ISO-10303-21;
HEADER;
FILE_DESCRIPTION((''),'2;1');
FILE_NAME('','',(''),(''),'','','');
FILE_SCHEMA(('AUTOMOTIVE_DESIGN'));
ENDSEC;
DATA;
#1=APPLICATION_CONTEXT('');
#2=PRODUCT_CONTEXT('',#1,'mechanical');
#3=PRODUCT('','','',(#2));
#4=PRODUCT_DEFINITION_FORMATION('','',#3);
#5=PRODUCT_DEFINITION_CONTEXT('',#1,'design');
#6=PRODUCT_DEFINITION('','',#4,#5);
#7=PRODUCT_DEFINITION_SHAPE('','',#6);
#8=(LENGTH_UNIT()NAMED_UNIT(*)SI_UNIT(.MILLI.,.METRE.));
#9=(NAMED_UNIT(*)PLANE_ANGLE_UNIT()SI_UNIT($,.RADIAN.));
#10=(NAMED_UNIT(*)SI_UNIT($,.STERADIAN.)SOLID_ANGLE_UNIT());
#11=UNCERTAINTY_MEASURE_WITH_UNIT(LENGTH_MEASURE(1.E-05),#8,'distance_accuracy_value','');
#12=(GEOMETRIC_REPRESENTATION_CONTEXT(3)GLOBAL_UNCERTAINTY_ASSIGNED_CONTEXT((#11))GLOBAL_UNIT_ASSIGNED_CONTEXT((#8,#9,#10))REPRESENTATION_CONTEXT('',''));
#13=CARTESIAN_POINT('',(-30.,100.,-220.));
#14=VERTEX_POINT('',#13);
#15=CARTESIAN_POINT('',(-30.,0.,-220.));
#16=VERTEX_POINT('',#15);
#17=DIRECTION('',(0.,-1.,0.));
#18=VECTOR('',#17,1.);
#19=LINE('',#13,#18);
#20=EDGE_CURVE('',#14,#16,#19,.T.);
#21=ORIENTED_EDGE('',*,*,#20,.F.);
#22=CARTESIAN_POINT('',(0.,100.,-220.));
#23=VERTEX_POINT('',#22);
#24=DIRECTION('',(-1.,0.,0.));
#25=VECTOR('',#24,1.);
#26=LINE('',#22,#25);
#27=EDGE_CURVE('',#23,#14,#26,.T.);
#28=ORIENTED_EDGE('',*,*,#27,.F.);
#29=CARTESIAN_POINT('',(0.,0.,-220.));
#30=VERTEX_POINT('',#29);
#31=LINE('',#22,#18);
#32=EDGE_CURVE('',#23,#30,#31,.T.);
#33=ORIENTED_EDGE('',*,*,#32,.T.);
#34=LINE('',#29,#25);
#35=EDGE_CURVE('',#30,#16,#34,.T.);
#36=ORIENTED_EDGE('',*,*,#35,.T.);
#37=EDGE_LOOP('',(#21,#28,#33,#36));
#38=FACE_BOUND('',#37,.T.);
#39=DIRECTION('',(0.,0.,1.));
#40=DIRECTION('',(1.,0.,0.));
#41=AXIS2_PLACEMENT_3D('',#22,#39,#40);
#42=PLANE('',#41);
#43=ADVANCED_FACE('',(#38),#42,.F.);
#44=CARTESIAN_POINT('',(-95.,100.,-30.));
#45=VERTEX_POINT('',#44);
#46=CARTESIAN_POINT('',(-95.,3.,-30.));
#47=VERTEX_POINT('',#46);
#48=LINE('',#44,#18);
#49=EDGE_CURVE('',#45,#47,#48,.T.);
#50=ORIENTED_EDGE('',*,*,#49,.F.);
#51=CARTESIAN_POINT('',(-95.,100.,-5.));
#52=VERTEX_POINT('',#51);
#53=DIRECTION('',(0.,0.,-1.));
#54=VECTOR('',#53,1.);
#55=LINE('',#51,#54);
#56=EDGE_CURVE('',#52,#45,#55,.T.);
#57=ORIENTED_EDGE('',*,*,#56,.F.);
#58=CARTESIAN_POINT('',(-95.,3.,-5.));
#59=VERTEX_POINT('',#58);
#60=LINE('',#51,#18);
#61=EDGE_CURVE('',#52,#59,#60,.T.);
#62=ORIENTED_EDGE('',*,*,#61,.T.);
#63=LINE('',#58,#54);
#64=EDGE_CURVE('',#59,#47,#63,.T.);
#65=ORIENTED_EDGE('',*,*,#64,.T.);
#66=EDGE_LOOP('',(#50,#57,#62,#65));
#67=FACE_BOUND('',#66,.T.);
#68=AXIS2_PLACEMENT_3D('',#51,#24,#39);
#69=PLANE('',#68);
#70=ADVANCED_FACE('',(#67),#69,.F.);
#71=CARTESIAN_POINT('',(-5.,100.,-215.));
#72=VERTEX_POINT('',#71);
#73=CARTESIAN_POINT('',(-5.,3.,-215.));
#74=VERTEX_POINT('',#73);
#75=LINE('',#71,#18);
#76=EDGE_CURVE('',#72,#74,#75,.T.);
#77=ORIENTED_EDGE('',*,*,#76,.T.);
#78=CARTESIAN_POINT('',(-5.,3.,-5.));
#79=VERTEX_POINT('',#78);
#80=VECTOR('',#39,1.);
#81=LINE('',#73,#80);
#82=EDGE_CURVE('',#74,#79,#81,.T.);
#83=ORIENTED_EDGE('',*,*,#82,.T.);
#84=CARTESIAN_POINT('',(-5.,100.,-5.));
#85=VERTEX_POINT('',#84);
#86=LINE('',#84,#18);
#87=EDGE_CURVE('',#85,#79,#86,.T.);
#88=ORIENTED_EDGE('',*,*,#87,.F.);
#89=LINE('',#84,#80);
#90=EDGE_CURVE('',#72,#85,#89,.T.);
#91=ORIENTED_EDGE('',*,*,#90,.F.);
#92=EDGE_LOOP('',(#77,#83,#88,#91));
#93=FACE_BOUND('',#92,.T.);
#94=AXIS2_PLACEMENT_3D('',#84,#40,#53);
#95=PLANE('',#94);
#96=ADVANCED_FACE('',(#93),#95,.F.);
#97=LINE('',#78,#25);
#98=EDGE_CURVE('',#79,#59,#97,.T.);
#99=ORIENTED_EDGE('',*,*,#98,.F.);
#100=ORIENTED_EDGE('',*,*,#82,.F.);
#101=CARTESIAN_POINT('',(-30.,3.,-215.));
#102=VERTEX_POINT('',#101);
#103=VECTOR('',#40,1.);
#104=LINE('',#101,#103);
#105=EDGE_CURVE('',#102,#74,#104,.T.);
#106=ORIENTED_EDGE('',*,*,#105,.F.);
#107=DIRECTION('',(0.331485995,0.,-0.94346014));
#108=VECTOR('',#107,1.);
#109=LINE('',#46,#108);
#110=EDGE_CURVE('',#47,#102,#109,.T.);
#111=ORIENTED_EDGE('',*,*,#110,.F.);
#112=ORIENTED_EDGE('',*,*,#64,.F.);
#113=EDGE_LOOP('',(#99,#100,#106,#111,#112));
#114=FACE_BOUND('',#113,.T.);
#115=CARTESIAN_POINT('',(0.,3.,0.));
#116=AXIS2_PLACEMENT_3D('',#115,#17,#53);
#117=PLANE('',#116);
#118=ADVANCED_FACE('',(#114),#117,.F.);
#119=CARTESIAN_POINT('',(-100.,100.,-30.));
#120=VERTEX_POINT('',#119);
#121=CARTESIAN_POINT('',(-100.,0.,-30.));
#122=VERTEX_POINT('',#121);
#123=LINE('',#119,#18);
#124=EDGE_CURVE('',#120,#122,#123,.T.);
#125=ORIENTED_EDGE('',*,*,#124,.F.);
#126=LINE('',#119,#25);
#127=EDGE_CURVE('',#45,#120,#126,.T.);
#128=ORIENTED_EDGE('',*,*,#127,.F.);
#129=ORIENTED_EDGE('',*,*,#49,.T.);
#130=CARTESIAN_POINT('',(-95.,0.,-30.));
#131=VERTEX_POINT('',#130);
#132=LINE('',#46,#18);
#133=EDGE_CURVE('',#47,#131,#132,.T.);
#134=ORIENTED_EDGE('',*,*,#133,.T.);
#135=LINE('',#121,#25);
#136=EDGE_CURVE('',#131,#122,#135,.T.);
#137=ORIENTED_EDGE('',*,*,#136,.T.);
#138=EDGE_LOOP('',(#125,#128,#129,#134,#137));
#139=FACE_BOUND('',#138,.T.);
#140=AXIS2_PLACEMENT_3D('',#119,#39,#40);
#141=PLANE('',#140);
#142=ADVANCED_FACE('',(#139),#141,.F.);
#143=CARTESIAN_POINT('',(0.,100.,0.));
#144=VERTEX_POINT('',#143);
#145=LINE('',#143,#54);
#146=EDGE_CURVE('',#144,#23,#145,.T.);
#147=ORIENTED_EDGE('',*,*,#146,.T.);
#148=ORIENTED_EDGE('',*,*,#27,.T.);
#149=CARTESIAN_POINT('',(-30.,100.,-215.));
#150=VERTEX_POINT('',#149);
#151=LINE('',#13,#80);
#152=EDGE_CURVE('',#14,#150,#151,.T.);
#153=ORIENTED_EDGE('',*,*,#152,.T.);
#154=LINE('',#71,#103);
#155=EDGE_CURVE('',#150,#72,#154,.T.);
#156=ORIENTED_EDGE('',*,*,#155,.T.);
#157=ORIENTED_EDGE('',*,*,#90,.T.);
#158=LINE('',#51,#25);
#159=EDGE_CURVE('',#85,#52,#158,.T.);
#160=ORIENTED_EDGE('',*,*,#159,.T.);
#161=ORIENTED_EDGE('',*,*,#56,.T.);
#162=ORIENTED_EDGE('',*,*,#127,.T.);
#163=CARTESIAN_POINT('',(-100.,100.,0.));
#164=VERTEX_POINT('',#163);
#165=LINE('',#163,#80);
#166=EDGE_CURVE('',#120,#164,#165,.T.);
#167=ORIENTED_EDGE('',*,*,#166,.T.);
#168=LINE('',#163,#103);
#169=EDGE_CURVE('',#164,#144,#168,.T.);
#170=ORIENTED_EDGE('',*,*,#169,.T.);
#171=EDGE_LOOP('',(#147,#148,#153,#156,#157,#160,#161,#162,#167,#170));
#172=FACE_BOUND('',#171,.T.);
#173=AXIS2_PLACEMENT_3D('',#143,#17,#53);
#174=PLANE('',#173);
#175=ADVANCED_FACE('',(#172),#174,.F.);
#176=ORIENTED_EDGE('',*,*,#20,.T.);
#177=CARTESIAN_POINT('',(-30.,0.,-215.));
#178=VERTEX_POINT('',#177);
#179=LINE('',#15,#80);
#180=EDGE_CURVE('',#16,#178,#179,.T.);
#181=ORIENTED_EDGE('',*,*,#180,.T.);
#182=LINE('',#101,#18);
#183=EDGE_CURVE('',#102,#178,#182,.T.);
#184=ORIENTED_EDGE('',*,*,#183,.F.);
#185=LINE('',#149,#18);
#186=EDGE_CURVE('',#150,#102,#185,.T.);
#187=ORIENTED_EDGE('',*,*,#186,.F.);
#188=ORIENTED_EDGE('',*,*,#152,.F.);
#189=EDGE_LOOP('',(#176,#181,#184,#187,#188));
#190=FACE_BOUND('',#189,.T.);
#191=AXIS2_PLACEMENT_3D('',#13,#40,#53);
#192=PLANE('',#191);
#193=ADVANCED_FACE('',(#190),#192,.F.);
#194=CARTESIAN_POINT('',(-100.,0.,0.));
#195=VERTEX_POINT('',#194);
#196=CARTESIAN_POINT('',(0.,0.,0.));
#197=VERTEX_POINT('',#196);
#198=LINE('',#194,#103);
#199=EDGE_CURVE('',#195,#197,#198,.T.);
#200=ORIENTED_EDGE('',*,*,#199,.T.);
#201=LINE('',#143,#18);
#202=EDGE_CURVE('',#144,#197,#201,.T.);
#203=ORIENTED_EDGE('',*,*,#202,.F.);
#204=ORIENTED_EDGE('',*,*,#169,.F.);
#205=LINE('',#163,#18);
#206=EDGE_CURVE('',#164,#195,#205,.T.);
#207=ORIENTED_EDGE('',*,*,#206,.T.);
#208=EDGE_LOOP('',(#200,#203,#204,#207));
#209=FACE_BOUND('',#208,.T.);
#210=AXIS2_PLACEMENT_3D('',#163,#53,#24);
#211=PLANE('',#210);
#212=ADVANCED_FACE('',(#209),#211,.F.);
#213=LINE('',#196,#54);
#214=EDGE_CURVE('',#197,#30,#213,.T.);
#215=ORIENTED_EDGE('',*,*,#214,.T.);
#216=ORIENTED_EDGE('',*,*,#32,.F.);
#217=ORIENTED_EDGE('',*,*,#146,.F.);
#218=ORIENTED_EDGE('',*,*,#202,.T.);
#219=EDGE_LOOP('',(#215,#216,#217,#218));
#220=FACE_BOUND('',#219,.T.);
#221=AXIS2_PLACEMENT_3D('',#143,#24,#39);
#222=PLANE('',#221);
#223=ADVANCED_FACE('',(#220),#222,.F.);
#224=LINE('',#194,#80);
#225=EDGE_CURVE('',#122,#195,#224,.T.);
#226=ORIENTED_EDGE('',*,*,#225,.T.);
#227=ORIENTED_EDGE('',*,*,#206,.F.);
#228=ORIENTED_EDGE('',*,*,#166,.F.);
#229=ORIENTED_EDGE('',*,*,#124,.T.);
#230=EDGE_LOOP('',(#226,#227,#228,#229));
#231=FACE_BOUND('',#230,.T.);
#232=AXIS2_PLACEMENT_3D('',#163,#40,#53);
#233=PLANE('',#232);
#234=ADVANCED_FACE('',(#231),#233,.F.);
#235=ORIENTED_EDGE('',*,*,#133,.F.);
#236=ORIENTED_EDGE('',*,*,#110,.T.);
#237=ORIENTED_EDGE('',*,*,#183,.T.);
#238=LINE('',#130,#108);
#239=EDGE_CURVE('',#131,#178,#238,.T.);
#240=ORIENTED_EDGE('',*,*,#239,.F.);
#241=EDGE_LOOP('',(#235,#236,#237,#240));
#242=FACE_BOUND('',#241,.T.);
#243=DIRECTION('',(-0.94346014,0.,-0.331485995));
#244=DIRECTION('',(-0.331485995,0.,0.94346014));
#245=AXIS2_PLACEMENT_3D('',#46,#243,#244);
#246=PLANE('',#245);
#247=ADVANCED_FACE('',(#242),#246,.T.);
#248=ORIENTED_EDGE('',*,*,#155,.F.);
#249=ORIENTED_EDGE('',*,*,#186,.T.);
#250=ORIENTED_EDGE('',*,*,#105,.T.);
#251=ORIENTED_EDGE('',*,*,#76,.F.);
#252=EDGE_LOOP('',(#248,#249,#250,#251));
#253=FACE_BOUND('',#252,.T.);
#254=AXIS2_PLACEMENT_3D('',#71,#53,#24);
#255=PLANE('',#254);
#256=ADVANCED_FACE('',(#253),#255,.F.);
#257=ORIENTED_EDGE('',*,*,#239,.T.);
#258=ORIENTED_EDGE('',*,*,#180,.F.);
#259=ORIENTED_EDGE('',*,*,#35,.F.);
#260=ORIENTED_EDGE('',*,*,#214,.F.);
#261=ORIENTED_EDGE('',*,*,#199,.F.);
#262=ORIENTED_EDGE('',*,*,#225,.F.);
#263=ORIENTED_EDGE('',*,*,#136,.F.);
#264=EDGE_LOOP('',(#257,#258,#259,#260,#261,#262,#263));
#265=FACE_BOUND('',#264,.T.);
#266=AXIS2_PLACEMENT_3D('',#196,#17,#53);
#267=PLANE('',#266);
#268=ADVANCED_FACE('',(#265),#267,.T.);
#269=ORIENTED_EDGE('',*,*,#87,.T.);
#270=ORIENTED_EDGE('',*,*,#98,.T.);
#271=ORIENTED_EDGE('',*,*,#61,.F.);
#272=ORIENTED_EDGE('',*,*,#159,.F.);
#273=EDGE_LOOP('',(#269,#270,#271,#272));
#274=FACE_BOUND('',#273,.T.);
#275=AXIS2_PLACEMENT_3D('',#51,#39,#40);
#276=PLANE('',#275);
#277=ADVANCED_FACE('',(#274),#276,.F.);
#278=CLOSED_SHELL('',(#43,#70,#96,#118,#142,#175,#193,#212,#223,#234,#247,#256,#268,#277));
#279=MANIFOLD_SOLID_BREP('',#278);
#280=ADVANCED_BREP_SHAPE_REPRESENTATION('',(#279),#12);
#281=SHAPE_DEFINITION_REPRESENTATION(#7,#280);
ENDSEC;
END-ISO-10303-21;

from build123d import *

# Parameters (mm, degrees)
ESTRUSIONE_ESTRUSIONE1_DEPTH = 100
ESTRUSIONE_ESTRUSIONE2_DEPTH = 3


with BuildPart() as part:
    # Schizzo1 → Estrusione-Estrusione1 (new body)
    with BuildSketch(Plane(origin=(0, 0, 0), x_dir=(1, 0, 0), z_dir=(0, 1, 0))):
        Polygon((-100, 0), (0, 0), (0, 220), (-30, 220), (-30, 215), (-5, 215), (-5, 5), (-95, 5), (-95, 30), (-100, 30), align=None)
    extrude(amount=ESTRUSIONE_ESTRUSIONE1_DEPTH)

    # Schizzo2 → Estrusione-Estrusione2 (add)
    with BuildSketch(Plane.XZ):
        Polygon((-30, -215), (-5, -215), (-5, -5), (-95, -5), (-95, -30), align=None)
    extrude(amount=-ESTRUSIONE_ESTRUSIONE2_DEPTH)


solid = part.part
